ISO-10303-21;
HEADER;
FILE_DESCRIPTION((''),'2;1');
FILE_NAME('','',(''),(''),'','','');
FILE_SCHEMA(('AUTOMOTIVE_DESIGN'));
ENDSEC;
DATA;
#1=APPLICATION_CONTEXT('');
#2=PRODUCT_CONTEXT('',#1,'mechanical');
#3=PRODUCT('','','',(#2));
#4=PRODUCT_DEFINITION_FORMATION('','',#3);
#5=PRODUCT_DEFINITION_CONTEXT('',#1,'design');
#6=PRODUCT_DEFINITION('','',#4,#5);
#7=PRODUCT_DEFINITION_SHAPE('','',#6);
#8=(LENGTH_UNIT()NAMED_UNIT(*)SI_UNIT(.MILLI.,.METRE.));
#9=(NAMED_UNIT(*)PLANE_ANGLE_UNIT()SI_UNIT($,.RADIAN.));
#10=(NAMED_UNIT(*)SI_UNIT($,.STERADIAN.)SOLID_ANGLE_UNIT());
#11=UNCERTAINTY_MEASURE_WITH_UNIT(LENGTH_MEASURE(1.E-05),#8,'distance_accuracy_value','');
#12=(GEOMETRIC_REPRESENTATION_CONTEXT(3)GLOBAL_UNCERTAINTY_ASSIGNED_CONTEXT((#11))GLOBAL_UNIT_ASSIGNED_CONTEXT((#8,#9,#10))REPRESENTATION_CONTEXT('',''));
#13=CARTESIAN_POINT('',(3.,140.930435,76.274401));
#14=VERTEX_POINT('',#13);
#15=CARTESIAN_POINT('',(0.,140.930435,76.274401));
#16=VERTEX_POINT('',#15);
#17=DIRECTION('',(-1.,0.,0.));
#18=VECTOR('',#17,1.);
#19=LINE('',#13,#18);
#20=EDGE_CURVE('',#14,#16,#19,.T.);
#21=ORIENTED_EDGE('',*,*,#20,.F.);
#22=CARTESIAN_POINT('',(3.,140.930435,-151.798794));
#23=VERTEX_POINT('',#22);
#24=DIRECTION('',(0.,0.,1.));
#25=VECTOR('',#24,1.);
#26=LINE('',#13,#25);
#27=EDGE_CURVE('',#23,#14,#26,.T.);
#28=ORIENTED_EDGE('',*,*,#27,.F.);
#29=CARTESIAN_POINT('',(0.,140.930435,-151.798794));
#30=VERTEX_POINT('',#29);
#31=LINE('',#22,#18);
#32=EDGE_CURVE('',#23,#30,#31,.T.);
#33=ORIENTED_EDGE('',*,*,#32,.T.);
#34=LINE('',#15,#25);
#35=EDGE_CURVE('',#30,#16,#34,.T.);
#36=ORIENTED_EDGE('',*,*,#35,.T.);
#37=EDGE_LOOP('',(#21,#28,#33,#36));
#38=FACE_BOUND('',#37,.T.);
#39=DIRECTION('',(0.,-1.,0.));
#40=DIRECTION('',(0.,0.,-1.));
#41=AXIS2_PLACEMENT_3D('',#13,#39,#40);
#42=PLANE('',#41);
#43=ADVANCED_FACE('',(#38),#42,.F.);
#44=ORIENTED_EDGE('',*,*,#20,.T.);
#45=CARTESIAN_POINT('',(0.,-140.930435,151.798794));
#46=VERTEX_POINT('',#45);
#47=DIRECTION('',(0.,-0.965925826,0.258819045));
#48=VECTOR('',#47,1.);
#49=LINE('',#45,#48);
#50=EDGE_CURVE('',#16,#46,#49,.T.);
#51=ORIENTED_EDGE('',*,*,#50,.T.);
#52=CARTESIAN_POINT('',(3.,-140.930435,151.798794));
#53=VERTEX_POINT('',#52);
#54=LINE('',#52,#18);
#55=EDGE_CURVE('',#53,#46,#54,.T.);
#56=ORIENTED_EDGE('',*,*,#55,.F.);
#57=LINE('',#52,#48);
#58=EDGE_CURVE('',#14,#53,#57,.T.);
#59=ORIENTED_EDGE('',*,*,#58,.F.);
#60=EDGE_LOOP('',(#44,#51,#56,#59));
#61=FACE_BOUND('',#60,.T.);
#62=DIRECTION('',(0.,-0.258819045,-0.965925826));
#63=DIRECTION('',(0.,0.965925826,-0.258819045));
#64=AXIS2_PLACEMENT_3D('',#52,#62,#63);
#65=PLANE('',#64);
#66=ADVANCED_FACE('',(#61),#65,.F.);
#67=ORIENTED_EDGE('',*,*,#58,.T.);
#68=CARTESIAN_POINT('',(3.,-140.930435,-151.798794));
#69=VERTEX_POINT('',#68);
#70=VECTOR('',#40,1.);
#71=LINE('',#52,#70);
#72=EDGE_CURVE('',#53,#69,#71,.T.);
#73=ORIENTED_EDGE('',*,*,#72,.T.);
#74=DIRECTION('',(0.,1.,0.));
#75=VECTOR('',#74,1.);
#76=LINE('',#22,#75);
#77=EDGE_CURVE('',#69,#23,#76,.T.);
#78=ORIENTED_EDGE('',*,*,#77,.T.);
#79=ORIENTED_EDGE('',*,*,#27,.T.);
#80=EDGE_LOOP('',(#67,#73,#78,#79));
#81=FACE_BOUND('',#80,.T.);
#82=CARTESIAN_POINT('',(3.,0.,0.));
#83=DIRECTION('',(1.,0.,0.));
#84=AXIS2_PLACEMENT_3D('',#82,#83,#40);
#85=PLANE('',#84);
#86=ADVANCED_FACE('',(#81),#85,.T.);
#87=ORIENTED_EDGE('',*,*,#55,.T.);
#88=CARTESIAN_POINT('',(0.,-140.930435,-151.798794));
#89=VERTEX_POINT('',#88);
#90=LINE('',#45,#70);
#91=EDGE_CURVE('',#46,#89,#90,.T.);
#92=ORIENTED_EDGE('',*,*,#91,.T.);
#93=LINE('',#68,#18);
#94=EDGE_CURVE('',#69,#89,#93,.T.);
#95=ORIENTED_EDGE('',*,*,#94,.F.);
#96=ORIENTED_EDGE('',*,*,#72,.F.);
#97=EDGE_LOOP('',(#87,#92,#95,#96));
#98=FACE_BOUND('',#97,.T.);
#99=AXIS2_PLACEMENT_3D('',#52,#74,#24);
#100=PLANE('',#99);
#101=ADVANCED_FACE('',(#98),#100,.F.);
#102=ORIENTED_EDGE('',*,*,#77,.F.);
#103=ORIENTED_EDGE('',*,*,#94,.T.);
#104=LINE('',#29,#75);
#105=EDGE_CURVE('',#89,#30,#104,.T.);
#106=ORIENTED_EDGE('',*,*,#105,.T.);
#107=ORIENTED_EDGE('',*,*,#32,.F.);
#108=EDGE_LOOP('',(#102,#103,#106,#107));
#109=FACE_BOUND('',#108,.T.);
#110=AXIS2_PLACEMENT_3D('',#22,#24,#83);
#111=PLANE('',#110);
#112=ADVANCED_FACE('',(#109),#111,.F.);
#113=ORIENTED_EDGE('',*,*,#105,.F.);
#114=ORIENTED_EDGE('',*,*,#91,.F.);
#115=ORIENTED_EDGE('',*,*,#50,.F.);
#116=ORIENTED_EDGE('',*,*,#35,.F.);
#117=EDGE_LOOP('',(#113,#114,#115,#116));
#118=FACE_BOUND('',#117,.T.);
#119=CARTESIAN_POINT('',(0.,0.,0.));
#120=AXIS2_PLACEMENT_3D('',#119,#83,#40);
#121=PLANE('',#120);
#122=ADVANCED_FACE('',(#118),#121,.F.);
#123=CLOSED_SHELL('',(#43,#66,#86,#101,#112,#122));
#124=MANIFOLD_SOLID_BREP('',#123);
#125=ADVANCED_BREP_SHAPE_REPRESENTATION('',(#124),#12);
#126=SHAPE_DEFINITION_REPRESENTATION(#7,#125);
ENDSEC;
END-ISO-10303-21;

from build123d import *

# Parameters (mm, degrees)
BOSS_EXTRUDE1_DEPTH = 3


with BuildPart() as part:
    # Sketch1 → Boss-Extrude1 (new body)
    with BuildSketch(Plane(origin=(0, 0, 0), x_dir=(0, 0, -1), z_dir=(1, 0, 0))):
        Polygon((-76.274401205, 140.93043534), (151.798793882, 140.93043534), (151.798793882, -140.93043534), (-151.798793882, -140.93043534), align=None)
    extrude(amount=BOSS_EXTRUDE1_DEPTH)


solid = part.part
